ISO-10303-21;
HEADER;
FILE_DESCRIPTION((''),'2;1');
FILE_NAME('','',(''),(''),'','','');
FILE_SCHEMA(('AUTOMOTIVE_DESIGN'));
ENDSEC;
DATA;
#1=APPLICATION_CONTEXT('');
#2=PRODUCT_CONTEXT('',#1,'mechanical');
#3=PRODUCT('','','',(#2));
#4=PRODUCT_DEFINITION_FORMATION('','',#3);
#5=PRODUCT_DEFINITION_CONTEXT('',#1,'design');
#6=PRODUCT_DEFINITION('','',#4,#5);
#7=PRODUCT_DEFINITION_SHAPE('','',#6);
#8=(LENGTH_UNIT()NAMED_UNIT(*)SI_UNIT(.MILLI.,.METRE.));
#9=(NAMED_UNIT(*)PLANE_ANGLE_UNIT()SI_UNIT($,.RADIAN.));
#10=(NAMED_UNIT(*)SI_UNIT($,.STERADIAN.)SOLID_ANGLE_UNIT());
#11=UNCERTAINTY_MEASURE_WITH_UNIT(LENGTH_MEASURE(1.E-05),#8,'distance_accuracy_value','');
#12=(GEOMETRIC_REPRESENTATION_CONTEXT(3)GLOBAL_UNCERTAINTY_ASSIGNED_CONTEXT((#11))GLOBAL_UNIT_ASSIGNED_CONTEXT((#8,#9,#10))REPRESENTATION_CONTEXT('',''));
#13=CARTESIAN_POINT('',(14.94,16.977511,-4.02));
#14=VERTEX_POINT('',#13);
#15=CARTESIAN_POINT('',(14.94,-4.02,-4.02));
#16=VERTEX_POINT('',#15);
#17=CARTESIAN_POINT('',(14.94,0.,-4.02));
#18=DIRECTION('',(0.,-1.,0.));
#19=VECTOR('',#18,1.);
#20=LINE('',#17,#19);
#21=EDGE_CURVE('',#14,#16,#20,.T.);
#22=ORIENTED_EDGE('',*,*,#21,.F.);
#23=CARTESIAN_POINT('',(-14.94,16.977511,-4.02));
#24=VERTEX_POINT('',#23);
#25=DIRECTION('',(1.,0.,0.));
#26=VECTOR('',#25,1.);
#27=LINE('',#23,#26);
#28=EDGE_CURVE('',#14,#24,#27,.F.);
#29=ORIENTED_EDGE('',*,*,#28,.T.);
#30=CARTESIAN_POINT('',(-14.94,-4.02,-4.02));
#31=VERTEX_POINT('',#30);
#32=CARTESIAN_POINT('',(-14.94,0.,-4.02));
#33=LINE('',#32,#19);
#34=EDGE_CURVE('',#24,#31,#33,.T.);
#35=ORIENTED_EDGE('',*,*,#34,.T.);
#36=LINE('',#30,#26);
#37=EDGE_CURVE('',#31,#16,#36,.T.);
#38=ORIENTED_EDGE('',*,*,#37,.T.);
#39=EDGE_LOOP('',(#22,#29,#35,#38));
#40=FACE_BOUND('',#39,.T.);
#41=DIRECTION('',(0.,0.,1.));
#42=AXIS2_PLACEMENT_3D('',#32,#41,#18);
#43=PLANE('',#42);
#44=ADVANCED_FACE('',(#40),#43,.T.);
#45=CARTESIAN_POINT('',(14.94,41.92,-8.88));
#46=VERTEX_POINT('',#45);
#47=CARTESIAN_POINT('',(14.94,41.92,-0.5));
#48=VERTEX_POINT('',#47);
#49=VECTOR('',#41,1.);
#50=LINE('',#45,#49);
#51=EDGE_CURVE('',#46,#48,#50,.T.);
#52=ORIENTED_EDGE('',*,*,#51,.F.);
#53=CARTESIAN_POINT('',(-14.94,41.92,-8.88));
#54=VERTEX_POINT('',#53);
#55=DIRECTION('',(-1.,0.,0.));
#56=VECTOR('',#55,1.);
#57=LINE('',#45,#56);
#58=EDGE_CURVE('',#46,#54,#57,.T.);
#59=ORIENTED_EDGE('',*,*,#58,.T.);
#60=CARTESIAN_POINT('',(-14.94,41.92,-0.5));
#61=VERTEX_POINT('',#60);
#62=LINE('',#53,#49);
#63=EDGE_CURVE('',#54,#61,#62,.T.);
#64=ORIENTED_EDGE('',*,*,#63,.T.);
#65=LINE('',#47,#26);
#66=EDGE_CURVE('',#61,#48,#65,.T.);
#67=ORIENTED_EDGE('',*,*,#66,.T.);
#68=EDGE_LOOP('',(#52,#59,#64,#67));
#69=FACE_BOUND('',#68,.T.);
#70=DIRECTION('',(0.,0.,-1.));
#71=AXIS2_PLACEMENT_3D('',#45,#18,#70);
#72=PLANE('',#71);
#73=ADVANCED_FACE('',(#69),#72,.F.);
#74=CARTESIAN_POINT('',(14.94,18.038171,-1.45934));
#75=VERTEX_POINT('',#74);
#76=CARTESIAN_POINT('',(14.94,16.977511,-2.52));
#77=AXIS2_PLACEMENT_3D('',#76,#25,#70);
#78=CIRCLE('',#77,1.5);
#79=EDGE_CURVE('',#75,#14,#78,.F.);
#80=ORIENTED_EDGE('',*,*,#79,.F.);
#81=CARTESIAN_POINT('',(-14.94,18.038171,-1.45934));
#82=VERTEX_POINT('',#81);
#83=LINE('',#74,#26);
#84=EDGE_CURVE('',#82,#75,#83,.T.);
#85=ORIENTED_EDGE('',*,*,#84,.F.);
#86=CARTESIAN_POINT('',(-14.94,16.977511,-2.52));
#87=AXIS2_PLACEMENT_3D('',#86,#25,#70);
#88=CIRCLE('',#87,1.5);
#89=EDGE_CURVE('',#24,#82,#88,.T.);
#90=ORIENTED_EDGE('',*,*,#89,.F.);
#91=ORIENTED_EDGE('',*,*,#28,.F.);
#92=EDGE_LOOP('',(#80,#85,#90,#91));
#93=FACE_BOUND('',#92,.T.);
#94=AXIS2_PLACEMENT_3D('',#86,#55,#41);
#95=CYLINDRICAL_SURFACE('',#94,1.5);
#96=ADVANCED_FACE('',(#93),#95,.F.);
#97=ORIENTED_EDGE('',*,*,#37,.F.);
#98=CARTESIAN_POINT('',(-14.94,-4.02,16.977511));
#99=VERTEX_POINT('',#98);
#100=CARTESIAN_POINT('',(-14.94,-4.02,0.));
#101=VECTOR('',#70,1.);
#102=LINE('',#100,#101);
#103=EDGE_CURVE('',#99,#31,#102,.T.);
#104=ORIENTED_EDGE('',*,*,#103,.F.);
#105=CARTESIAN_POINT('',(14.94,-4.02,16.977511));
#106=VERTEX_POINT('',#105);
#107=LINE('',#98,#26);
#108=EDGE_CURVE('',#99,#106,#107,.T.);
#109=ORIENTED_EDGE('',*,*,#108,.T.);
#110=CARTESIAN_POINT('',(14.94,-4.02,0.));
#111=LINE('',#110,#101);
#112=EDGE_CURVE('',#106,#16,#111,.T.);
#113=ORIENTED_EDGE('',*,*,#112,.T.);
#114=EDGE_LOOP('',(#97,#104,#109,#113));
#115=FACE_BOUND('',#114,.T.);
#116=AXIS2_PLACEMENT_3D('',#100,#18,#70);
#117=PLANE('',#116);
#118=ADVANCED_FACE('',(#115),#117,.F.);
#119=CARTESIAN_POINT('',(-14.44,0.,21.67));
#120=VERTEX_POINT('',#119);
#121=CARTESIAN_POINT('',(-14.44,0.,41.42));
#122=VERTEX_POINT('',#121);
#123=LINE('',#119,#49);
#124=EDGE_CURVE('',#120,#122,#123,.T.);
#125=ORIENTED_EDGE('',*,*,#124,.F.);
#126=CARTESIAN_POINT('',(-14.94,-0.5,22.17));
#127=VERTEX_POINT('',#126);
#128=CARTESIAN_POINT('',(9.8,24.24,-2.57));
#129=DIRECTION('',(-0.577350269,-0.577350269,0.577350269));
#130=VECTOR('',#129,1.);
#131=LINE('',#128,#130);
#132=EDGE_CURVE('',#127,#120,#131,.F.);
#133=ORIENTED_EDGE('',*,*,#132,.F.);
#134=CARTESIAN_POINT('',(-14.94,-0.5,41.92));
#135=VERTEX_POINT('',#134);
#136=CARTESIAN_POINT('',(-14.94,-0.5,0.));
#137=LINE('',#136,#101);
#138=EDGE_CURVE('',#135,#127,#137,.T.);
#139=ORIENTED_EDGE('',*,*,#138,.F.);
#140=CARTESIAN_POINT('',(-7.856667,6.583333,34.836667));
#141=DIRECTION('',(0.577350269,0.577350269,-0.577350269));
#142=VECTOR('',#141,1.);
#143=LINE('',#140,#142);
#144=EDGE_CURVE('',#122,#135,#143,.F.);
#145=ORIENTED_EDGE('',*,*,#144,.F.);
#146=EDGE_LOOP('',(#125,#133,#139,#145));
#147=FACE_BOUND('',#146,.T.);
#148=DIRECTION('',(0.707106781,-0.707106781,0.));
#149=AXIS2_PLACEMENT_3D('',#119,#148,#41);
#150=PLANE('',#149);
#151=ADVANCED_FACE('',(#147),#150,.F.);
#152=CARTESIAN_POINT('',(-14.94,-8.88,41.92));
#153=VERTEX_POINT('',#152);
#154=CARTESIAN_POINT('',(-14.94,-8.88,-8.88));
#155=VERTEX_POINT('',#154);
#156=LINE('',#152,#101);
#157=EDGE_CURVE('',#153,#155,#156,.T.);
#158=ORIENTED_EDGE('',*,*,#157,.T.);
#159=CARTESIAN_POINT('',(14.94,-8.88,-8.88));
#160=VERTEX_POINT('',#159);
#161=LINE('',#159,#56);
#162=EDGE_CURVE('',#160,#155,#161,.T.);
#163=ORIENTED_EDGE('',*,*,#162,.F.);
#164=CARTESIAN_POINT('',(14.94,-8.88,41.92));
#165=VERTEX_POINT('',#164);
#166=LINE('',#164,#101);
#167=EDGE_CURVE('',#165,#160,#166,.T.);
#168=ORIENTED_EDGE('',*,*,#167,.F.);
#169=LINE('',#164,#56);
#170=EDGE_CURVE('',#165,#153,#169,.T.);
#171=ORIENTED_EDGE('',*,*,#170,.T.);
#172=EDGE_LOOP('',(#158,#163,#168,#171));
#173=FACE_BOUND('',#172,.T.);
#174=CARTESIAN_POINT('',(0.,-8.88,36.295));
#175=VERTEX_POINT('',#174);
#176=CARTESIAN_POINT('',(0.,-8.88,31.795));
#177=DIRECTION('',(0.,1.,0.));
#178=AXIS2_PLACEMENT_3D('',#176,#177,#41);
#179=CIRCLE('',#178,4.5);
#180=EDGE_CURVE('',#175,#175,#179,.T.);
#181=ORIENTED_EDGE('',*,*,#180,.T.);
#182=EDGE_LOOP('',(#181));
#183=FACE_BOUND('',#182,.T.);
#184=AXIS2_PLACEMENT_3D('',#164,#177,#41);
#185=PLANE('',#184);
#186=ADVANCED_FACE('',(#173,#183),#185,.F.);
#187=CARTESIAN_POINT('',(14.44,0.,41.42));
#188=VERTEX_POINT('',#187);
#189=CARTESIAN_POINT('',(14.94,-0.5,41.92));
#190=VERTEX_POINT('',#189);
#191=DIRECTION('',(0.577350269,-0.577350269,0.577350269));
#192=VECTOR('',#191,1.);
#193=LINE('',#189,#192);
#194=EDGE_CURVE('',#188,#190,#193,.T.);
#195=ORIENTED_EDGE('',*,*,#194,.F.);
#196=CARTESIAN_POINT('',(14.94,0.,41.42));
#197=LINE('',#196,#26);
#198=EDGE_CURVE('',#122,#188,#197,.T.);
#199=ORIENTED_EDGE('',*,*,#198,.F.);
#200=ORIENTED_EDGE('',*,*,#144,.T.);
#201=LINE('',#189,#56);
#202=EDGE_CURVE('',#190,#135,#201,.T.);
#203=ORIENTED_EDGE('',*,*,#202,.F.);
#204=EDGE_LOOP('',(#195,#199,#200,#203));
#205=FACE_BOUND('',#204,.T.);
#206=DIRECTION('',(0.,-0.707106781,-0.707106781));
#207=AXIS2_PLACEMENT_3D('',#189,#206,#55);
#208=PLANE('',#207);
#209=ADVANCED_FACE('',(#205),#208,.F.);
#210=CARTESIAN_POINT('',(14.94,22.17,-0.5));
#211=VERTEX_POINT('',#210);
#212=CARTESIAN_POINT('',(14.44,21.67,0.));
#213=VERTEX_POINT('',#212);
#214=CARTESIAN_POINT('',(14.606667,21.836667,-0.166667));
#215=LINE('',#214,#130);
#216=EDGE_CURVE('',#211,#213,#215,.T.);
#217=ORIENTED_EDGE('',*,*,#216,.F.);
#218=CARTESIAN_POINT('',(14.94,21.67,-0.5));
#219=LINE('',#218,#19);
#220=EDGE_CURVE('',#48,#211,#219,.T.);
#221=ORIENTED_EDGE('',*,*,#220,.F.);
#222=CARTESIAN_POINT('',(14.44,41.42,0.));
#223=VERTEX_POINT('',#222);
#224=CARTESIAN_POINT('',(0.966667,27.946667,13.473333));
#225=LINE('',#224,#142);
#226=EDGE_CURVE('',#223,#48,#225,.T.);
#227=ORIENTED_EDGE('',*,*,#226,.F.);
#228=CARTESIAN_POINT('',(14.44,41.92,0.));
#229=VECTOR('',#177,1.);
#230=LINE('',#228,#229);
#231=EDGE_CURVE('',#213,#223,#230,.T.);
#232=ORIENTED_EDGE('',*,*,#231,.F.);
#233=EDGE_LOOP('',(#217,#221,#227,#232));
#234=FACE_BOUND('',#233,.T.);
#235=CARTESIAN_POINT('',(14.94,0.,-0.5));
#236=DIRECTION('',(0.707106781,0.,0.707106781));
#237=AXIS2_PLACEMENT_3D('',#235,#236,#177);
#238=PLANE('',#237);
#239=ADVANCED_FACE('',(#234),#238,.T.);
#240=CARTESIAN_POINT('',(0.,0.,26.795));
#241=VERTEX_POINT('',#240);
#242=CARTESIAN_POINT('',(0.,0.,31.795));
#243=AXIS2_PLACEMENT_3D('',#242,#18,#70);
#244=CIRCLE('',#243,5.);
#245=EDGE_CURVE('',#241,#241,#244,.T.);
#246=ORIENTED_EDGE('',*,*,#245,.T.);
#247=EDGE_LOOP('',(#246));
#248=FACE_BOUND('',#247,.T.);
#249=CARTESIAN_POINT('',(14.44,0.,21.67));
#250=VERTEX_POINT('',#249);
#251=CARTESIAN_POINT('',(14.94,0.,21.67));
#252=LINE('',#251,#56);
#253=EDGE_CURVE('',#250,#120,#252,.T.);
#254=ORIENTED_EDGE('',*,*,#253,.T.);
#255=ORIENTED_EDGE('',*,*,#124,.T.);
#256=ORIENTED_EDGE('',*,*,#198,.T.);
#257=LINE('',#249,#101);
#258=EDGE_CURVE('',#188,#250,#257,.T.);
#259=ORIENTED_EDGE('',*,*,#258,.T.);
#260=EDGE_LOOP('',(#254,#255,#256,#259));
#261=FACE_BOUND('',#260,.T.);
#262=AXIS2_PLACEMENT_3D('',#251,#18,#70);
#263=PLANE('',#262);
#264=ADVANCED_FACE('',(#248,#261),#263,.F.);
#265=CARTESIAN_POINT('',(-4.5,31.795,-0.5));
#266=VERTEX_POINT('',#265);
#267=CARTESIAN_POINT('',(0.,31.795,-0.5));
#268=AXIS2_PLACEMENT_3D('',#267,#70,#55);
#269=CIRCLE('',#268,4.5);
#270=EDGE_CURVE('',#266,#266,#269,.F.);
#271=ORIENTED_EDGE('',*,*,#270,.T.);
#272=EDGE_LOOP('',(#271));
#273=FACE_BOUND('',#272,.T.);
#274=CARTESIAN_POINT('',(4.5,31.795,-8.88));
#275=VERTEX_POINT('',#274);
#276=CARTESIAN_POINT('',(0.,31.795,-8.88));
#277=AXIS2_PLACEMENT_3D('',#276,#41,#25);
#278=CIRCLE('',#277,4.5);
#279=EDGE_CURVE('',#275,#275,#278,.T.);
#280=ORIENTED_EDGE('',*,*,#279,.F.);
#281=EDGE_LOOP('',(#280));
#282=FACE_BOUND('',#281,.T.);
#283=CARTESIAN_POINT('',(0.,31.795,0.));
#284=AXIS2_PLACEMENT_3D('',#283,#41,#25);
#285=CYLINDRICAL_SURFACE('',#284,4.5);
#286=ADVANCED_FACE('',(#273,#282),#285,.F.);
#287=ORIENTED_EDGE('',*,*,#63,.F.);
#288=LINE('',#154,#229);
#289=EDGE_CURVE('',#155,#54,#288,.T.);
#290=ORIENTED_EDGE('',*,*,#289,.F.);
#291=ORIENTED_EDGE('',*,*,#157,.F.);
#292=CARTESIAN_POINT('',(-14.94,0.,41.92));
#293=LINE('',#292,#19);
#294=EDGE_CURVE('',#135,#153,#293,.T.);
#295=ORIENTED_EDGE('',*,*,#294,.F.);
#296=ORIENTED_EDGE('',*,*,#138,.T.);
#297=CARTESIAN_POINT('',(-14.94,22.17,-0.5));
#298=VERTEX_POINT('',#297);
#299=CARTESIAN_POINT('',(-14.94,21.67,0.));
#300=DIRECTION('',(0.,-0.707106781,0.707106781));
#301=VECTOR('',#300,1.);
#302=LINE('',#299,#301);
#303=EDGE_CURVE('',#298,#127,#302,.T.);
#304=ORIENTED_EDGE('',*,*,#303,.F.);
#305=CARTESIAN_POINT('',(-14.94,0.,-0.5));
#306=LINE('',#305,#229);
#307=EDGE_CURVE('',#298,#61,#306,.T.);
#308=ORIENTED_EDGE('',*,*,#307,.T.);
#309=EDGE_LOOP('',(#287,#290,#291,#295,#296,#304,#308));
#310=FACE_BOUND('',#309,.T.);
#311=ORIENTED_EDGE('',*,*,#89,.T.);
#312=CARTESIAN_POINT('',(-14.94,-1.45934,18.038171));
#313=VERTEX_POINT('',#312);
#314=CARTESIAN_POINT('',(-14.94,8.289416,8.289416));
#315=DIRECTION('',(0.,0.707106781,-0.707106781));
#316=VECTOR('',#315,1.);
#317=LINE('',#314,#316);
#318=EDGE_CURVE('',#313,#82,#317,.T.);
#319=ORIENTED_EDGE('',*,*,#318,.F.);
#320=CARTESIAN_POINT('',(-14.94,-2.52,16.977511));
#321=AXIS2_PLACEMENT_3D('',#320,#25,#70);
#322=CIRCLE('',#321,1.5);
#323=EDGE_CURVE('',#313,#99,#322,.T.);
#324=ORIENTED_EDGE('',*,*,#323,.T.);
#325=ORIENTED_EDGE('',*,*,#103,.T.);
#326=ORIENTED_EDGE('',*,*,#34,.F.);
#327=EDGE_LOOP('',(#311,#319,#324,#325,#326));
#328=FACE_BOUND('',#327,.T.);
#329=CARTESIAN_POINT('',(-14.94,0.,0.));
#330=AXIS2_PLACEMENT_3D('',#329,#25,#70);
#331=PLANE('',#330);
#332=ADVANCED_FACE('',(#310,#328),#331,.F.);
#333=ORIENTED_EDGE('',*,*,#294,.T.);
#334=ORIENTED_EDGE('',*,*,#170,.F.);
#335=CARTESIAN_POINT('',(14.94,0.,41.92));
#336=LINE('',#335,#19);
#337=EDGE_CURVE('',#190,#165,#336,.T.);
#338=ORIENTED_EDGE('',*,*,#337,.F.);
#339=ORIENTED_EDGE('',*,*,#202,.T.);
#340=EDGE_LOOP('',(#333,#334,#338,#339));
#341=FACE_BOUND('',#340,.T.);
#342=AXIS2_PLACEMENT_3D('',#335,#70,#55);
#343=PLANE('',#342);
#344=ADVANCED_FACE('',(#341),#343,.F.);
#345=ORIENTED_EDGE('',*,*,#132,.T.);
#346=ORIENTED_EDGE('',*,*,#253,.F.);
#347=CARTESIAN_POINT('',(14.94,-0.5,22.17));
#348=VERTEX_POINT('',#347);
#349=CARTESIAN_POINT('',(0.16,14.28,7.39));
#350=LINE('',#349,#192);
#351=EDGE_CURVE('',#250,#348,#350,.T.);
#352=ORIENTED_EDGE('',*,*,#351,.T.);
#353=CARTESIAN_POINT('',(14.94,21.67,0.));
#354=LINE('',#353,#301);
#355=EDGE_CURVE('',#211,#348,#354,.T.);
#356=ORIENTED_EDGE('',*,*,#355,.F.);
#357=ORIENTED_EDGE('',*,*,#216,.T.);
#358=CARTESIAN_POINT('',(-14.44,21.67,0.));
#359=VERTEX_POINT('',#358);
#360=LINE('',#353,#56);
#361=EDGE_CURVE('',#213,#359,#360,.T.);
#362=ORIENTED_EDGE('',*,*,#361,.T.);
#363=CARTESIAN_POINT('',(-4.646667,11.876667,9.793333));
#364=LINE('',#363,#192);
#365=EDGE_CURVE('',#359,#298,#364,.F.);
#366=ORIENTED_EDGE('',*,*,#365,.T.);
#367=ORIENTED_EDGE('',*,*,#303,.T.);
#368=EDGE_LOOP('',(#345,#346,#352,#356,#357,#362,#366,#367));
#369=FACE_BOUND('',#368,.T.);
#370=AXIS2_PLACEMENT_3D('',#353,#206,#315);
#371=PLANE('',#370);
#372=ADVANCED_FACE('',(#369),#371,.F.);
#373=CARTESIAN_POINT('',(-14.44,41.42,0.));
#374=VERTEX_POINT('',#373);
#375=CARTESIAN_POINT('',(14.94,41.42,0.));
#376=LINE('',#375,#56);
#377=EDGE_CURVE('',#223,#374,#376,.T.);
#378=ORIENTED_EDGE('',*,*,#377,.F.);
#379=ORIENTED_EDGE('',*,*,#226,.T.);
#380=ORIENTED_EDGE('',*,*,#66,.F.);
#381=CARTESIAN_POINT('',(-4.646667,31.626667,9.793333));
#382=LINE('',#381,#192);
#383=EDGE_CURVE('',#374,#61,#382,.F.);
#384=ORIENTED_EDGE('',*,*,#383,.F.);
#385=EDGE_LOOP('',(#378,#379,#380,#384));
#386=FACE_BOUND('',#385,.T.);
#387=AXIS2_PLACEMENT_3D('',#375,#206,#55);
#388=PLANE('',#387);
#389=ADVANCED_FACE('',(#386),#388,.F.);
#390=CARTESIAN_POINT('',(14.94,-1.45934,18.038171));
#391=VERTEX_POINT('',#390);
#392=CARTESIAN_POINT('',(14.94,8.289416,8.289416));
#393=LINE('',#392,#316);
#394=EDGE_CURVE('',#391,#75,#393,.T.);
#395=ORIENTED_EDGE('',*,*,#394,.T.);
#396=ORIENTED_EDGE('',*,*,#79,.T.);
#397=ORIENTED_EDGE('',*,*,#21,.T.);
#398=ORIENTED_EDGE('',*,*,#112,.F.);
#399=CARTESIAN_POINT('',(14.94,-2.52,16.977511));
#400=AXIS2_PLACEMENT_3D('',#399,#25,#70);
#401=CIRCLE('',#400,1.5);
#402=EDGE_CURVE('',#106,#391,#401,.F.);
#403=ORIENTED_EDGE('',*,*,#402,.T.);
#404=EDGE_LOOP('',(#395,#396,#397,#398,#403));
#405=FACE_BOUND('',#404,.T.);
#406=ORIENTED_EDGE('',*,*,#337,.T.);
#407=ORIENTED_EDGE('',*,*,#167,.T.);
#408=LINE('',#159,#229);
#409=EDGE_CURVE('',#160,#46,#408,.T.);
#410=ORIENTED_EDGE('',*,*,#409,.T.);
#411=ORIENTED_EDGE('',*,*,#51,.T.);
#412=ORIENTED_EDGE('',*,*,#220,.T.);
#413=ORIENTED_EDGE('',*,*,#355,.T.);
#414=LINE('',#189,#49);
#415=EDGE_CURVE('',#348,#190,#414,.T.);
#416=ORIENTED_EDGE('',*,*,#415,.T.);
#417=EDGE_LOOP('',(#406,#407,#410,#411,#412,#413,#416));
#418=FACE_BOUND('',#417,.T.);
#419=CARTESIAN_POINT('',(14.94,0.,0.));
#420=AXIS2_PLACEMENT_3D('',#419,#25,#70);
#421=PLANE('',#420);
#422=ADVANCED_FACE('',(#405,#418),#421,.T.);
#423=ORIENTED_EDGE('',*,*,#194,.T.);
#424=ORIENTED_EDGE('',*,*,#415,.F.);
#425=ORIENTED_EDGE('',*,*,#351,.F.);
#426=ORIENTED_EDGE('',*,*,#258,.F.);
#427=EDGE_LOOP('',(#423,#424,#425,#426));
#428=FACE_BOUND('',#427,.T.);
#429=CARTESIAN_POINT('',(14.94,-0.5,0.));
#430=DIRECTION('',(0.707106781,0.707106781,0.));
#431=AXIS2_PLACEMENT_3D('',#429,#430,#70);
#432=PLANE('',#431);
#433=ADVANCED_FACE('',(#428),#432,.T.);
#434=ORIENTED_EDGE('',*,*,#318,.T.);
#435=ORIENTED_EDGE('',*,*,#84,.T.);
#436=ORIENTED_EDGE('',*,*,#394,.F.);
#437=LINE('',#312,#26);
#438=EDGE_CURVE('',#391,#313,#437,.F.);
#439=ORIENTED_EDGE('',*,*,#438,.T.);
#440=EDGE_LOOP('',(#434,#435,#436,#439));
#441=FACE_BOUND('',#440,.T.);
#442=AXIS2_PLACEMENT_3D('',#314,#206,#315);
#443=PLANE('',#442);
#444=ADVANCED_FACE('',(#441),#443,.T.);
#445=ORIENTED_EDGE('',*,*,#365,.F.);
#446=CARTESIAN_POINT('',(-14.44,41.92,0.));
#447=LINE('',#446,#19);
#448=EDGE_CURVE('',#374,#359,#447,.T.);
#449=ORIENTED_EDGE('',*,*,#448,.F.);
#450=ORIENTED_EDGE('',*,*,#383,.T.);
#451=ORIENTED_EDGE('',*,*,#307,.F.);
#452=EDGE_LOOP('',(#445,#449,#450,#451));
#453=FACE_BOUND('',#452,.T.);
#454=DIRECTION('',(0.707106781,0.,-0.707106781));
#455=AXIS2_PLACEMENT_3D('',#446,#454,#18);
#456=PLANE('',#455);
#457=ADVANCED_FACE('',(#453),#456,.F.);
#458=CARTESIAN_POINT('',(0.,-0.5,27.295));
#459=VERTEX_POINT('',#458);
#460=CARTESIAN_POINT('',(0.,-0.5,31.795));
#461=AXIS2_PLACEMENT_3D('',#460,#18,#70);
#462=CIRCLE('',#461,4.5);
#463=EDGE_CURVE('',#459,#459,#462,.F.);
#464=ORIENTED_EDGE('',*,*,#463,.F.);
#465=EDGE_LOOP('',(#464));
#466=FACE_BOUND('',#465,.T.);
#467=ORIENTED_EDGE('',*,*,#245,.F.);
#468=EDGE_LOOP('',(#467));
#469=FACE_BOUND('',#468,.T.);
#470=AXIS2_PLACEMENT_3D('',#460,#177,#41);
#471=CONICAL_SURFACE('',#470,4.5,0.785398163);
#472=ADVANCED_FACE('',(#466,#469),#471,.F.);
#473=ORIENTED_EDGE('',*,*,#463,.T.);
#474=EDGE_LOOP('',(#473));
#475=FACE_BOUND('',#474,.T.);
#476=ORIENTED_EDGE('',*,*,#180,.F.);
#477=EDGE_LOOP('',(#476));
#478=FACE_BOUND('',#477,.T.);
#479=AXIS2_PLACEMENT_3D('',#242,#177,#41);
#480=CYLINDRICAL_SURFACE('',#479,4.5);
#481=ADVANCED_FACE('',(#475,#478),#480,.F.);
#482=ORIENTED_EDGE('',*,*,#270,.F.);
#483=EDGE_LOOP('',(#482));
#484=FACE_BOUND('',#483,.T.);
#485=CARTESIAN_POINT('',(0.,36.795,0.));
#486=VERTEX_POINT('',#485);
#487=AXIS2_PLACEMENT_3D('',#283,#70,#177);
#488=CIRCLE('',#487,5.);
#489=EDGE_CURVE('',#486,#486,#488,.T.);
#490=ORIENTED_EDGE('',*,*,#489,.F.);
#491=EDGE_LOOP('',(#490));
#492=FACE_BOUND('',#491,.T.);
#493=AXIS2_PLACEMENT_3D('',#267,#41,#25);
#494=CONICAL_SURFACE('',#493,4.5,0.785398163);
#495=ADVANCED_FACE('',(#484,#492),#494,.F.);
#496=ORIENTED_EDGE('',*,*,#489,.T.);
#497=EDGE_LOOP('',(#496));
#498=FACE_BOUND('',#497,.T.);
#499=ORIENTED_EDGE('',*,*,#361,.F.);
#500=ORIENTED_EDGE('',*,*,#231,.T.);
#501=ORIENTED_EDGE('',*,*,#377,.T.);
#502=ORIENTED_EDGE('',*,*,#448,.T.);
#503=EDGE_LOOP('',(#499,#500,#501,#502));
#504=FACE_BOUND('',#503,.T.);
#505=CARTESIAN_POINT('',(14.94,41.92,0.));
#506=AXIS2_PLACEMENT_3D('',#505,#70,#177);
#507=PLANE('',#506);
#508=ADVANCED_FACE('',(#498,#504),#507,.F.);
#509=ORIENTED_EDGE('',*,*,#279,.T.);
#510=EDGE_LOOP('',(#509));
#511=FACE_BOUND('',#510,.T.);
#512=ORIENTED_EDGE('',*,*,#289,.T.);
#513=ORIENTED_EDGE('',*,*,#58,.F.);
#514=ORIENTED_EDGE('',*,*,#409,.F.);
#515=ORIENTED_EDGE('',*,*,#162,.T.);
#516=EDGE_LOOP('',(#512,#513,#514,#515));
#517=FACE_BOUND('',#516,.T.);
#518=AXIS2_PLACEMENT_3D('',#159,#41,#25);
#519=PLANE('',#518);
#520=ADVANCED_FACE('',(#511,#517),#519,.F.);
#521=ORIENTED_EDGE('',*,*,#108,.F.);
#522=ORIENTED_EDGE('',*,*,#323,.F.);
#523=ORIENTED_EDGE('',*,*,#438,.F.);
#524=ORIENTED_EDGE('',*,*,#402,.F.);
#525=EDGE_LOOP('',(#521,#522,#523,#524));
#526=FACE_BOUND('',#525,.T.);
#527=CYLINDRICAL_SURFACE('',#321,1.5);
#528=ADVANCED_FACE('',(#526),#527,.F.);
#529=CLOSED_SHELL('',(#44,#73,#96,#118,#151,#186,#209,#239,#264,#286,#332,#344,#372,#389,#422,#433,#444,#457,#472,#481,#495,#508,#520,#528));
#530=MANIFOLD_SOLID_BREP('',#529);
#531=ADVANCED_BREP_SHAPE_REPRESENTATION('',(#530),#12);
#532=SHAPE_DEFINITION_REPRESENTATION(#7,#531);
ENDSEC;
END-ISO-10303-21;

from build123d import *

# Parameters (mm, degrees)
BOSS_EXTRUDE1_DEPTH     = 14.94
CUT_EXTRUDE1_DEPTH      = 15.94
CUT_EXTRUDE1_DEPTH_BACK = 15.94
FILLET1_R               = 1.5
F_1_0MM_DOWEL_HOLE1_D   = 9
F_1_0MM_DOWEL_HOLE2_D   = 9
CHAMFER1_SIZE           = 0.5


with BuildPart() as part:
    # Sketch1 → Boss-Extrude1 (new body, symmetric)
    with BuildSketch(Plane(origin=(0, 0, 0), x_dir=(0, 0, -1), z_dir=(1, 0, 0))):
        Polygon((-21.67, 0), (-41.92, 0), (-41.92, -8.88), (8.88, -8.88), (8.88, 41.92), (0, 41.92), (0, 21.67), align=None)
    extrude(amount=BOSS_EXTRUDE1_DEPTH, both=True)

    # Sketch2 → Cut-Extrude1 (cut, two sides)
    with BuildSketch(Plane(origin=(0, 0, 0), x_dir=(0, 0, -1), z_dir=(1, 0, 0))) as cut_extrude1_sk:
        Polygon((-20.598831175, -4.02), (4.02, 20.598831175), (4.02, -4.02), align=None)
    extrude(amount=CUT_EXTRUDE1_DEPTH, mode=Mode.SUBTRACT)
    extrude(cut_extrude1_sk.sketch, amount=-CUT_EXTRUDE1_DEPTH_BACK, mode=Mode.SUBTRACT)

    # Fillet1
    fillet1_edges = [part.edges().sort_by_distance(p)[0] for p in [
        (0, -4.02, 20.598831175),
        (0, 20.598831175, -4.02),
    ]]
    fillet(fillet1_edges, radius=FILLET1_R)

    # Ø1.0mm Dowel Hole1 (through all)
    with Locations(Plane(origin=(0, 0, 0), x_dir=(1, 0, 0), z_dir=(0, 1, 0))):
        with Locations((0, -31.795)):
            Hole(F_1_0MM_DOWEL_HOLE1_D / 2)

    # Ø1.0mm Dowel Hole2 (through all)
    with Locations(Plane.XY):
        with Locations((0, 31.795)):
            Hole(F_1_0MM_DOWEL_HOLE2_D / 2)

    # Chamfer1
    chamfer1_edges = [part.edges().sort_by_distance(p)[0] for p in [
        (0, 0, 41.92),
        (0, 41.92, 0),
        (14.94, 31.795, 0),
        (14.94, 0, 31.795),
        (4.5, 0, 31.795),
        (4.5, 31.795, 0),
        (-14.94, 0, 31.795),
        (-14.94, 31.795, 0),
    ]]
    chamfer(chamfer1_edges, length=CHAMFER1_SIZE)


solid = part.part
